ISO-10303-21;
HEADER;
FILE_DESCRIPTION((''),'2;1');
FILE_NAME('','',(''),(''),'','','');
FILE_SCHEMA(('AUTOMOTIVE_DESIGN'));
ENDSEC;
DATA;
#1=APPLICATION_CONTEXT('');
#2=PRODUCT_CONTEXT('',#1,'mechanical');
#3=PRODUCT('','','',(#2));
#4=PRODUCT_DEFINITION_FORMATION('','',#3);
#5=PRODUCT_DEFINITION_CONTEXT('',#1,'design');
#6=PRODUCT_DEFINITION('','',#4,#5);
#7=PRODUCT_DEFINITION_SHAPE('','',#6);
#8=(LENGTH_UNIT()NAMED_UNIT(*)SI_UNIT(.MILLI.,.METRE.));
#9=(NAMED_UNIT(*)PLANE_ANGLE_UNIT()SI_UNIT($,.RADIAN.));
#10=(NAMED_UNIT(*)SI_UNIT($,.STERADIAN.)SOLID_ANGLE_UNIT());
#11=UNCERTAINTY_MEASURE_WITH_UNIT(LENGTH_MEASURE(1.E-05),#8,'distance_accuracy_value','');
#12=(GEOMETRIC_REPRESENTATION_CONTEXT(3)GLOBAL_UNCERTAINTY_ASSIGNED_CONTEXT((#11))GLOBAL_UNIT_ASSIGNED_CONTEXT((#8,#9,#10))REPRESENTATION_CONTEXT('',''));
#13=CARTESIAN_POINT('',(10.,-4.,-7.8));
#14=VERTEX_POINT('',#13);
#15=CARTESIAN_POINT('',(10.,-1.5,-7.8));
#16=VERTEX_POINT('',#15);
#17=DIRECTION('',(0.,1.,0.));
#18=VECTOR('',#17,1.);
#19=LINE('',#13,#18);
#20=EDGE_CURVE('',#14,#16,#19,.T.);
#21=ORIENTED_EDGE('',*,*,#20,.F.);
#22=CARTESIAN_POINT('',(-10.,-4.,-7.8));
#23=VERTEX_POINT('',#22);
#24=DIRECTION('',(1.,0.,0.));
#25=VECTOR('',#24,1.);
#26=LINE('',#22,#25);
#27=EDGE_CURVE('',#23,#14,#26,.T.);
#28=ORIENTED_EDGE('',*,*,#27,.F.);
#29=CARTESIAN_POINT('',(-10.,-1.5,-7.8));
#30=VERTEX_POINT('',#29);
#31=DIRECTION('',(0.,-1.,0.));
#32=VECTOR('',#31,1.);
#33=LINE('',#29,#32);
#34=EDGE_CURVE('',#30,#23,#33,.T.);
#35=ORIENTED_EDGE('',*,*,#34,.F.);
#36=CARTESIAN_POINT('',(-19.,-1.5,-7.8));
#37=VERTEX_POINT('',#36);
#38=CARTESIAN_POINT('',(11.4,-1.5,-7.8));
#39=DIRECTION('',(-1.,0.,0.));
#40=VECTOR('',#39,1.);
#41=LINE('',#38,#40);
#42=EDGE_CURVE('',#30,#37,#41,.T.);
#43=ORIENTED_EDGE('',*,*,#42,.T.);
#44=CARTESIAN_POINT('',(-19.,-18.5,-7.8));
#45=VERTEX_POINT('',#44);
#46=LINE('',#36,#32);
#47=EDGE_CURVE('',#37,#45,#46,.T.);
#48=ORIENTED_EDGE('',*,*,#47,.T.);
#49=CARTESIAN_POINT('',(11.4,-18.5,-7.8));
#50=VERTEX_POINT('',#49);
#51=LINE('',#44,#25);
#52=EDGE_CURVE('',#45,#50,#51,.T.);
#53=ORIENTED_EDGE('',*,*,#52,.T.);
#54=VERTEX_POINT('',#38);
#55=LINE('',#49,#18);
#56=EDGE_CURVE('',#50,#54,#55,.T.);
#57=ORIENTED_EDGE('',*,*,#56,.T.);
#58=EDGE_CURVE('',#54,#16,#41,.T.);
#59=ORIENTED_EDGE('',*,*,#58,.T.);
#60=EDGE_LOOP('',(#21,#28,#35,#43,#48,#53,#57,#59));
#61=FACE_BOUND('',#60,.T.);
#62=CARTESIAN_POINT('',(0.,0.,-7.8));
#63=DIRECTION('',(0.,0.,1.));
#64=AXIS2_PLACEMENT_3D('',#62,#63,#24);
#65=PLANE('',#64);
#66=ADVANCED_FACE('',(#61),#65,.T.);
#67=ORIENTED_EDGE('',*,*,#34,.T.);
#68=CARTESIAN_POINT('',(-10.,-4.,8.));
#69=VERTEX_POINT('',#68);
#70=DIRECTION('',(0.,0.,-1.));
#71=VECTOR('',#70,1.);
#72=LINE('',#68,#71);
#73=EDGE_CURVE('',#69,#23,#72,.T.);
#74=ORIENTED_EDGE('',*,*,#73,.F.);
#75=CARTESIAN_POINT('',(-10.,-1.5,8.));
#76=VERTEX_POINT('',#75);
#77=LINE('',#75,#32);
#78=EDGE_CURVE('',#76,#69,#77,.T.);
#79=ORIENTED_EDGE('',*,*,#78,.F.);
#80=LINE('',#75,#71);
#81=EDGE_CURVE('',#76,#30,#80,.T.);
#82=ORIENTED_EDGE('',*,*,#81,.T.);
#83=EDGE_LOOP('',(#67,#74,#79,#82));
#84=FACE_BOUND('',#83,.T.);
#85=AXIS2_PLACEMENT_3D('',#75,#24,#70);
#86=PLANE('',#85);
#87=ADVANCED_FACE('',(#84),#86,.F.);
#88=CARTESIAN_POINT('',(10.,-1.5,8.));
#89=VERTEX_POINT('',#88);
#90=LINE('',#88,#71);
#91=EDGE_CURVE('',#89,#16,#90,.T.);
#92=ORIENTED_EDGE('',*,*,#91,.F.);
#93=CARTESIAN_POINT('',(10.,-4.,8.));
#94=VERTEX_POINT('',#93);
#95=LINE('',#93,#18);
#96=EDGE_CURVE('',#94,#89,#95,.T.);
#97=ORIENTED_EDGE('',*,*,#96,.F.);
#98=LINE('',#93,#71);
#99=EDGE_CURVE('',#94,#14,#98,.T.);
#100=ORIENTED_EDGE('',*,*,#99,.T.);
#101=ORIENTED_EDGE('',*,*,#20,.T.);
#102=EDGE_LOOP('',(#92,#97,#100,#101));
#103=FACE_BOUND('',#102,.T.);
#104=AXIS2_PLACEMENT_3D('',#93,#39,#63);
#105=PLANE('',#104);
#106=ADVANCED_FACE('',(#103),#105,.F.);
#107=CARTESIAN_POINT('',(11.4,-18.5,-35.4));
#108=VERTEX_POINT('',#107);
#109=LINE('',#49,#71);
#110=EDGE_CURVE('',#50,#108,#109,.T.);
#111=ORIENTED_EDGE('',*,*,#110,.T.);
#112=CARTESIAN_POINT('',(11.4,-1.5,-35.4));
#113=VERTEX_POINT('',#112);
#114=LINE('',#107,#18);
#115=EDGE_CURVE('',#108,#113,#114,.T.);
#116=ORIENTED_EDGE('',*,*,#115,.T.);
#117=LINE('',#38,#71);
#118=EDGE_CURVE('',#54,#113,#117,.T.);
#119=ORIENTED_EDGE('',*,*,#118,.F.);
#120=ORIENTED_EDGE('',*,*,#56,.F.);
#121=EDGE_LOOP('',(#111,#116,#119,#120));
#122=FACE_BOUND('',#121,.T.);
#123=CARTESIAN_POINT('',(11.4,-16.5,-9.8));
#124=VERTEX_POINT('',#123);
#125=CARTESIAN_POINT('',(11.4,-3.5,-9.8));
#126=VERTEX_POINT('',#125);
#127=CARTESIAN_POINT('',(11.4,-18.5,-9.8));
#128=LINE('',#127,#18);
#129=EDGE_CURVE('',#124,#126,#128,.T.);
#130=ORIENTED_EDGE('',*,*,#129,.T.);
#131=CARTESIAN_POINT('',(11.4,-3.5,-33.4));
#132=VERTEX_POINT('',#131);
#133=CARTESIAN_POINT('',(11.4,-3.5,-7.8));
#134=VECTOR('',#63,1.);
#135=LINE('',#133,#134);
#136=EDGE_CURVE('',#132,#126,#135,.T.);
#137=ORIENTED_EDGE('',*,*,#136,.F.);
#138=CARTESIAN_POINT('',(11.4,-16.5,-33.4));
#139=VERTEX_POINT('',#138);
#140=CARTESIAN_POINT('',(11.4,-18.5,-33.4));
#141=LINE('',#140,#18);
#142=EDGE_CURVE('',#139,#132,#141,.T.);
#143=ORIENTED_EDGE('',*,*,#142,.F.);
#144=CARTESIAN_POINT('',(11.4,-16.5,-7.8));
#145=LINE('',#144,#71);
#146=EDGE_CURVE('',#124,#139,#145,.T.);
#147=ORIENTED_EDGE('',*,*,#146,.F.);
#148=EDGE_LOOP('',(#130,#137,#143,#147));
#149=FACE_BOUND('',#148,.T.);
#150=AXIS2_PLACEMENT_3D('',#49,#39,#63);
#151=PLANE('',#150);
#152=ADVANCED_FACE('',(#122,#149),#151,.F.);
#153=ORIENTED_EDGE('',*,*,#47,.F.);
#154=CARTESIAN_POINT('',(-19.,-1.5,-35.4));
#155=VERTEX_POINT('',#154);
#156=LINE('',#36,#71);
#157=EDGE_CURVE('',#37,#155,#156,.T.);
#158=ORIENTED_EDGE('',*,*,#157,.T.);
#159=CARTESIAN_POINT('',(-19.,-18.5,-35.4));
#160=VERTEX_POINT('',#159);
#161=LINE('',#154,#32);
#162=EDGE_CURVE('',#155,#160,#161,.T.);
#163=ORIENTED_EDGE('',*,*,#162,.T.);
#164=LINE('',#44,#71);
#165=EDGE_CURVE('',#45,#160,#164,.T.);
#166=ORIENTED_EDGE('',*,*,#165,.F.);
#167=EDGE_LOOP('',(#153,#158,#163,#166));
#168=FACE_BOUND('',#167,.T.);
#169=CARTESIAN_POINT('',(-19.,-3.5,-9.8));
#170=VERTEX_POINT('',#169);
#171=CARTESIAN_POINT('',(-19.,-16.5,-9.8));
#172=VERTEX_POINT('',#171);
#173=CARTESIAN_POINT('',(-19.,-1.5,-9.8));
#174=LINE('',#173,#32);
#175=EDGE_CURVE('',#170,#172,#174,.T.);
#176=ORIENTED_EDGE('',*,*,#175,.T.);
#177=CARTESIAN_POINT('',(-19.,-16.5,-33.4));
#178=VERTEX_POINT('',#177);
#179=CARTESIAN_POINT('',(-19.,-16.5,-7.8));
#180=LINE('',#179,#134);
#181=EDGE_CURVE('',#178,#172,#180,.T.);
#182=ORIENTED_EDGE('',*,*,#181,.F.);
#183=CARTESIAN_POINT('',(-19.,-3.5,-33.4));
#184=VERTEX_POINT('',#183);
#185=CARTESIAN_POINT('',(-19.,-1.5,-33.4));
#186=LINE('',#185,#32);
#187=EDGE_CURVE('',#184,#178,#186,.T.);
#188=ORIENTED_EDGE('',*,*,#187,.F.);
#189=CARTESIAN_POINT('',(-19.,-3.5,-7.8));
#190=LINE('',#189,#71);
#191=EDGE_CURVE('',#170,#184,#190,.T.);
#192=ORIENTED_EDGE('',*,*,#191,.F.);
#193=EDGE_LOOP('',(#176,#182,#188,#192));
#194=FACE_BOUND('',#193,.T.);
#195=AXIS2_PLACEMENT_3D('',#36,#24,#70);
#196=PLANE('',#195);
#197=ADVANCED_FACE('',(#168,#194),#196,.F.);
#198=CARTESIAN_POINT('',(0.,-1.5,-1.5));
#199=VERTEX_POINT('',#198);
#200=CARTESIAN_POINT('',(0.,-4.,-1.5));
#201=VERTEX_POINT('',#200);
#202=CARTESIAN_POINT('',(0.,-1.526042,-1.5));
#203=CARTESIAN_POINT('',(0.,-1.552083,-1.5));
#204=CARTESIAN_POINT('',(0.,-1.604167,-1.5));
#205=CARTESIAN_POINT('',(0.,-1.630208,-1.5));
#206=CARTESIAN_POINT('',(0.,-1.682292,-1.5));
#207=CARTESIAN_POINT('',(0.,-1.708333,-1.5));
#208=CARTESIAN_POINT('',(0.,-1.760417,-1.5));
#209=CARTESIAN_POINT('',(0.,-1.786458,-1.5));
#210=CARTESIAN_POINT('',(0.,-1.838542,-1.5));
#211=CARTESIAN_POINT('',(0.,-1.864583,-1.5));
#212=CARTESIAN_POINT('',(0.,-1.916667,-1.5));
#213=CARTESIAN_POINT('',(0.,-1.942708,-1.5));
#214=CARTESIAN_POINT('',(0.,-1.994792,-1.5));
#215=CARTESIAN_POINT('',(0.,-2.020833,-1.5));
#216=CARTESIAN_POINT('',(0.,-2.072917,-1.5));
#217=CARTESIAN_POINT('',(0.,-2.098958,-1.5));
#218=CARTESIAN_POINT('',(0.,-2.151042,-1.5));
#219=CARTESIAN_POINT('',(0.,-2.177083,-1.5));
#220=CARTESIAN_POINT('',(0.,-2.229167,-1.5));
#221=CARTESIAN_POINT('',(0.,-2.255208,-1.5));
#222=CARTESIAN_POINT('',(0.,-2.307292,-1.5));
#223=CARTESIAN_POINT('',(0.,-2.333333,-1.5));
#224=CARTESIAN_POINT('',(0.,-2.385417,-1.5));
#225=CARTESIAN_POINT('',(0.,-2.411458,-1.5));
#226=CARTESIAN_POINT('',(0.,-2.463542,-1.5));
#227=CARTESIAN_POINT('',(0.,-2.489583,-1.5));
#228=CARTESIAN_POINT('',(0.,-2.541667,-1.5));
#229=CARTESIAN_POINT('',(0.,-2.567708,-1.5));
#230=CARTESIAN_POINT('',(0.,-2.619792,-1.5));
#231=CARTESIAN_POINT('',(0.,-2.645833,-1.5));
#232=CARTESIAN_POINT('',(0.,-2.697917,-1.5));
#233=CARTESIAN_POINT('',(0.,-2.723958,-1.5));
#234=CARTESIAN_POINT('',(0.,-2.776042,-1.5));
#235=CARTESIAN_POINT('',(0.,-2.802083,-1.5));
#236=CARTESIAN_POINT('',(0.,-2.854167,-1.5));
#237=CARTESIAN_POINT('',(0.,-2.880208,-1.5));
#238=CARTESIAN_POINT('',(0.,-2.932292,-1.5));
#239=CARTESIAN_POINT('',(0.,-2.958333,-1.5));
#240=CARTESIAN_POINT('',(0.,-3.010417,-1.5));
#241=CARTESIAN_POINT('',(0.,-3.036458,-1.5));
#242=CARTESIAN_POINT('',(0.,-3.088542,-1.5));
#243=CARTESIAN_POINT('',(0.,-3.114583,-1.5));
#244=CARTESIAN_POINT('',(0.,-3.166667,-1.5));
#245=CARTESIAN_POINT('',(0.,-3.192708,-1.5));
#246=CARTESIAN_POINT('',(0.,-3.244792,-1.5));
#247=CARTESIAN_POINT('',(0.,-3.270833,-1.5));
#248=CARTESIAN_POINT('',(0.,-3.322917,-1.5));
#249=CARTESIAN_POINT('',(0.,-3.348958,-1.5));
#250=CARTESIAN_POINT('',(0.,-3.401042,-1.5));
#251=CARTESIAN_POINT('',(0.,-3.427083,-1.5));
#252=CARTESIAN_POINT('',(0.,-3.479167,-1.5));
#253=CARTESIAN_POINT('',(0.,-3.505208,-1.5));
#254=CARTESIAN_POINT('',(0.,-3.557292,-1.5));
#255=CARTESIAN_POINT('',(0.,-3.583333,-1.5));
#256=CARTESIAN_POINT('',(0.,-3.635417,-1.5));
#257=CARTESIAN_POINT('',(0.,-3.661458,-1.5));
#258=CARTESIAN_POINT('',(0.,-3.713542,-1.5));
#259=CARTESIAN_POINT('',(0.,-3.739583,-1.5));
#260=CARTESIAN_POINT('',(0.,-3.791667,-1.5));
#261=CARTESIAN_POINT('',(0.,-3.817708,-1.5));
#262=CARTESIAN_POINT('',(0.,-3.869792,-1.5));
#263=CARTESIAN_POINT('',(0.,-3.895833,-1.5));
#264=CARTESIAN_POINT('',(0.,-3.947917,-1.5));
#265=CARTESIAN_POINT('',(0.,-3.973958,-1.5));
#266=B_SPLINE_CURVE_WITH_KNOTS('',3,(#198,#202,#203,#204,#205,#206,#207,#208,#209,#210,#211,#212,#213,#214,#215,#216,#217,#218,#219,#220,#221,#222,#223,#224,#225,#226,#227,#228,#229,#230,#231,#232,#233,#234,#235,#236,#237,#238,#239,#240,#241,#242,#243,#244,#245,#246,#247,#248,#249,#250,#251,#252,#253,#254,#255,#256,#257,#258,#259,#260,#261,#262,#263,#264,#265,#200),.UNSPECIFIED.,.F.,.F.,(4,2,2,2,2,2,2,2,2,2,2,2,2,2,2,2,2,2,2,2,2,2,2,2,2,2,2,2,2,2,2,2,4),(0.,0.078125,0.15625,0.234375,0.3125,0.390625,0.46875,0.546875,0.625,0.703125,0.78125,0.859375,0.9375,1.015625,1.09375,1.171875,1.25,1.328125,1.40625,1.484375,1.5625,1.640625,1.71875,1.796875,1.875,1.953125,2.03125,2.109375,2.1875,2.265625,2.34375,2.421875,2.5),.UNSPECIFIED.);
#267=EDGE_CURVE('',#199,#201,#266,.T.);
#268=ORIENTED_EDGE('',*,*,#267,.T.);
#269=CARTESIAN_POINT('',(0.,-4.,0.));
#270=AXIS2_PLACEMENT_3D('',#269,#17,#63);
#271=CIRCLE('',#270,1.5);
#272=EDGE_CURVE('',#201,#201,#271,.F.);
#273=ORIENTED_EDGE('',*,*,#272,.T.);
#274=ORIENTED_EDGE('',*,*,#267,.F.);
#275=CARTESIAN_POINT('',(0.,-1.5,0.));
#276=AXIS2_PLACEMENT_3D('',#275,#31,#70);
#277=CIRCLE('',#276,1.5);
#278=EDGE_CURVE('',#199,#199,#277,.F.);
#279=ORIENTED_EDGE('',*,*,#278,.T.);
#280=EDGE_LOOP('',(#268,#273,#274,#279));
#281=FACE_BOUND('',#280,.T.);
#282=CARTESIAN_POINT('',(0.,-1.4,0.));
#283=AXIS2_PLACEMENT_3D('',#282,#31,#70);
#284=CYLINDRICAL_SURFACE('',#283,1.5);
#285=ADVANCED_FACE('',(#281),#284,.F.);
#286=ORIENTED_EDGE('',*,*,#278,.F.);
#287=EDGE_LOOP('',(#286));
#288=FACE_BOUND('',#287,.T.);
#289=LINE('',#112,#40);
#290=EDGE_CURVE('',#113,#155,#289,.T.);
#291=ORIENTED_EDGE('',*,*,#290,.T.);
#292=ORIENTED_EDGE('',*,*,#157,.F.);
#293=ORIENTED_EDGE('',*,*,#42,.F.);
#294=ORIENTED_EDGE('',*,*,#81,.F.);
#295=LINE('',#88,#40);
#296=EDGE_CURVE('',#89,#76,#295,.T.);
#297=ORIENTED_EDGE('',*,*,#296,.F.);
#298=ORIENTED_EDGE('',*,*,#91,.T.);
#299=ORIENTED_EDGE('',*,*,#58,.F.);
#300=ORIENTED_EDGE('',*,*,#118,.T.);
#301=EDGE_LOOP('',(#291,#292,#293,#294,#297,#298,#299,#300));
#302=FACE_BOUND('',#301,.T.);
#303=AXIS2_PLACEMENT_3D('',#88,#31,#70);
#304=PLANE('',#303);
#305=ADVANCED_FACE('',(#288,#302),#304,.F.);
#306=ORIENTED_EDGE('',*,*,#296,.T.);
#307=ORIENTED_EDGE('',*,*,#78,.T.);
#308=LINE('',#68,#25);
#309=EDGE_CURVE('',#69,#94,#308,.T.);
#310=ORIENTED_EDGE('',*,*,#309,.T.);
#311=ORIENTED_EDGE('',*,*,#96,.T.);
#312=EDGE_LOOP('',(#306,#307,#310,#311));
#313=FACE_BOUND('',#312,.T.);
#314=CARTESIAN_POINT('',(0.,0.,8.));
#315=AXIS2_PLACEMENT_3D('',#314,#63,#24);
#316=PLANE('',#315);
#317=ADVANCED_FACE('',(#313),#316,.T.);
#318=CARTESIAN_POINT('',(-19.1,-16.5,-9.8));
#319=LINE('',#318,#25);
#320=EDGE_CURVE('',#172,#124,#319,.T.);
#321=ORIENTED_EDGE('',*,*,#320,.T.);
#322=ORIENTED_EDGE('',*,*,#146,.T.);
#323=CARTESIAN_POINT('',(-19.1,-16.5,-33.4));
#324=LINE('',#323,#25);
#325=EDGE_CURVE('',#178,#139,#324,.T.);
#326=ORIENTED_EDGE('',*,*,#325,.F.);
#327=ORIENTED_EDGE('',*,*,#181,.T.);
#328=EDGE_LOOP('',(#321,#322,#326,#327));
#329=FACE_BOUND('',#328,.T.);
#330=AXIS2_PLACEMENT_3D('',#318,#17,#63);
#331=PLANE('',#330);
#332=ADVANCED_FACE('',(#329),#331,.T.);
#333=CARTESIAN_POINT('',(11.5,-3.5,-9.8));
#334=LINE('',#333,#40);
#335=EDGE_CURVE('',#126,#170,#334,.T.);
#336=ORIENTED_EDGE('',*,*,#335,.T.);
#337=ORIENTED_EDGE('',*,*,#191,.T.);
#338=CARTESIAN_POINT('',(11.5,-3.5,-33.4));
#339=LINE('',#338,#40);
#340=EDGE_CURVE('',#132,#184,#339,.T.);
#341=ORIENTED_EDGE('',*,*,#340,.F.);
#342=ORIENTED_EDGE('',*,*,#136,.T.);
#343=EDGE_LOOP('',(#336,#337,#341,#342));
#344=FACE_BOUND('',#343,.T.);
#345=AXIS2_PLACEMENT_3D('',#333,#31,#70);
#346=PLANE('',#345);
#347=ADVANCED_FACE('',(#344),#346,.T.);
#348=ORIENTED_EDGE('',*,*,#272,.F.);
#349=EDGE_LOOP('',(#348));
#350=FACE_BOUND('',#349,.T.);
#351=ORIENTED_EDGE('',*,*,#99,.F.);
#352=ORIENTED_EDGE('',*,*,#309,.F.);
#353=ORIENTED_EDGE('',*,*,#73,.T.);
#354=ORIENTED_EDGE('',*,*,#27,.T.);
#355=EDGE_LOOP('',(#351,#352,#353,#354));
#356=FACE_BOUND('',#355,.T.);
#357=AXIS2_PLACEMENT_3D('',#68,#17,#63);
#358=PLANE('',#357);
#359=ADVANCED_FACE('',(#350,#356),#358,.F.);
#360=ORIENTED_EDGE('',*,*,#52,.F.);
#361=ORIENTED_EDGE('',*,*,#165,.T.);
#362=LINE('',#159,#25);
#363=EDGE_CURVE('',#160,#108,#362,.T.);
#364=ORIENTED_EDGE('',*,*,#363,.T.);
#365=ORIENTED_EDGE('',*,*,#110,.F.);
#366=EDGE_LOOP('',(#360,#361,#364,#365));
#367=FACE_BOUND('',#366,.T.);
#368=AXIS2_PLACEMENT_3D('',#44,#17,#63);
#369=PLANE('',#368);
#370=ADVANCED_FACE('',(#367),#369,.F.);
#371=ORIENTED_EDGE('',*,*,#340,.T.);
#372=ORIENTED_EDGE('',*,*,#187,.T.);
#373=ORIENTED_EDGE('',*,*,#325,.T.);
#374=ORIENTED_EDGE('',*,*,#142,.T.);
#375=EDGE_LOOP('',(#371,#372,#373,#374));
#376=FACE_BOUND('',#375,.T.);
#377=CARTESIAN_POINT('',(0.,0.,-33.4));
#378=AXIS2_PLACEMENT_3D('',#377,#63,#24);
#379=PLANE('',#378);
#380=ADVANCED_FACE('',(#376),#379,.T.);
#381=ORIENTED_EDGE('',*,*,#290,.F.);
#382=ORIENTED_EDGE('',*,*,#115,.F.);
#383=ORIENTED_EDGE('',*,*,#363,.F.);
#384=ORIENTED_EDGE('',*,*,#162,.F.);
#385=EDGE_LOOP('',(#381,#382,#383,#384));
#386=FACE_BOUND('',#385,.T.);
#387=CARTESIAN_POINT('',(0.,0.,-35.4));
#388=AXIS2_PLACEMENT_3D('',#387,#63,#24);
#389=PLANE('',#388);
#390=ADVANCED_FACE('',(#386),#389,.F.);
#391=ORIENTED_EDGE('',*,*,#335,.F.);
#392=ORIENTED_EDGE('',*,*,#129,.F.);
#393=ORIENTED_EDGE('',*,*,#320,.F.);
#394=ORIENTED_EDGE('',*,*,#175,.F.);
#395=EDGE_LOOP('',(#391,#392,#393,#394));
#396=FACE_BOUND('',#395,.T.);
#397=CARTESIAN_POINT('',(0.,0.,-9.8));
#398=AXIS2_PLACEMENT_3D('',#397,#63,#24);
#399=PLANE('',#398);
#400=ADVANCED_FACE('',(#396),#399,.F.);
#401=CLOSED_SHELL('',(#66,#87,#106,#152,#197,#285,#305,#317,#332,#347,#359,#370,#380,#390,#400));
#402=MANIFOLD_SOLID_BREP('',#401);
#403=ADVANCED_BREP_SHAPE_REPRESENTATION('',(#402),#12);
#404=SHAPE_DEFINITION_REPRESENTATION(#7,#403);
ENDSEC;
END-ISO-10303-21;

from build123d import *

# Parameters (mm, degrees)
S_BOX1_W       = 20
S_BOX1_H       = 2.5
BOSS_1_DEPTH   = 42
S_BOX2_W       = 30.4
S_BOX2_H       = 17
BOSS_2_DEPTH   = 27.6
S_CUT3_W       = 30.6
S_CUT3_H       = 13
POCKET_3_DEPTH = 23.6
S_HOLE4_R      = 1.5
HOLE_4_DEPTH   = 2.7


with BuildPart() as part:
    # S_box1 → Boss_1 (new body)
    with BuildSketch(Plane.XY.offset(-34)):
        with Locations((0, -2.75)):
            Rectangle(S_BOX1_W, S_BOX1_H)
    extrude(amount=BOSS_1_DEPTH)

    # S_box2 → Boss_2 (add)
    with BuildSketch(Plane.XY.offset(-35.4)):
        with Locations((-3.8, -10)):
            Rectangle(S_BOX2_W, S_BOX2_H)
    extrude(amount=BOSS_2_DEPTH)

    # S_cut3 → Pocket_3 (cut)
    with BuildSketch(Plane.XY.offset(-33.4)):
        with Locations((-3.8, -10)):
            Rectangle(S_CUT3_W, S_CUT3_H)
    extrude(amount=POCKET_3_DEPTH, mode=Mode.SUBTRACT)

    # S_hole4 → Hole_4 (cut)
    with BuildSketch(Plane(origin=(0, -4.1, 0), x_dir=(1, 0, 0), z_dir=(0, 1, 0))):
        with Locations(Location((0, 0, 0), (0, 0, 90))):
            Circle(S_HOLE4_R)
    extrude(amount=HOLE_4_DEPTH, mode=Mode.SUBTRACT)


solid = part.part
